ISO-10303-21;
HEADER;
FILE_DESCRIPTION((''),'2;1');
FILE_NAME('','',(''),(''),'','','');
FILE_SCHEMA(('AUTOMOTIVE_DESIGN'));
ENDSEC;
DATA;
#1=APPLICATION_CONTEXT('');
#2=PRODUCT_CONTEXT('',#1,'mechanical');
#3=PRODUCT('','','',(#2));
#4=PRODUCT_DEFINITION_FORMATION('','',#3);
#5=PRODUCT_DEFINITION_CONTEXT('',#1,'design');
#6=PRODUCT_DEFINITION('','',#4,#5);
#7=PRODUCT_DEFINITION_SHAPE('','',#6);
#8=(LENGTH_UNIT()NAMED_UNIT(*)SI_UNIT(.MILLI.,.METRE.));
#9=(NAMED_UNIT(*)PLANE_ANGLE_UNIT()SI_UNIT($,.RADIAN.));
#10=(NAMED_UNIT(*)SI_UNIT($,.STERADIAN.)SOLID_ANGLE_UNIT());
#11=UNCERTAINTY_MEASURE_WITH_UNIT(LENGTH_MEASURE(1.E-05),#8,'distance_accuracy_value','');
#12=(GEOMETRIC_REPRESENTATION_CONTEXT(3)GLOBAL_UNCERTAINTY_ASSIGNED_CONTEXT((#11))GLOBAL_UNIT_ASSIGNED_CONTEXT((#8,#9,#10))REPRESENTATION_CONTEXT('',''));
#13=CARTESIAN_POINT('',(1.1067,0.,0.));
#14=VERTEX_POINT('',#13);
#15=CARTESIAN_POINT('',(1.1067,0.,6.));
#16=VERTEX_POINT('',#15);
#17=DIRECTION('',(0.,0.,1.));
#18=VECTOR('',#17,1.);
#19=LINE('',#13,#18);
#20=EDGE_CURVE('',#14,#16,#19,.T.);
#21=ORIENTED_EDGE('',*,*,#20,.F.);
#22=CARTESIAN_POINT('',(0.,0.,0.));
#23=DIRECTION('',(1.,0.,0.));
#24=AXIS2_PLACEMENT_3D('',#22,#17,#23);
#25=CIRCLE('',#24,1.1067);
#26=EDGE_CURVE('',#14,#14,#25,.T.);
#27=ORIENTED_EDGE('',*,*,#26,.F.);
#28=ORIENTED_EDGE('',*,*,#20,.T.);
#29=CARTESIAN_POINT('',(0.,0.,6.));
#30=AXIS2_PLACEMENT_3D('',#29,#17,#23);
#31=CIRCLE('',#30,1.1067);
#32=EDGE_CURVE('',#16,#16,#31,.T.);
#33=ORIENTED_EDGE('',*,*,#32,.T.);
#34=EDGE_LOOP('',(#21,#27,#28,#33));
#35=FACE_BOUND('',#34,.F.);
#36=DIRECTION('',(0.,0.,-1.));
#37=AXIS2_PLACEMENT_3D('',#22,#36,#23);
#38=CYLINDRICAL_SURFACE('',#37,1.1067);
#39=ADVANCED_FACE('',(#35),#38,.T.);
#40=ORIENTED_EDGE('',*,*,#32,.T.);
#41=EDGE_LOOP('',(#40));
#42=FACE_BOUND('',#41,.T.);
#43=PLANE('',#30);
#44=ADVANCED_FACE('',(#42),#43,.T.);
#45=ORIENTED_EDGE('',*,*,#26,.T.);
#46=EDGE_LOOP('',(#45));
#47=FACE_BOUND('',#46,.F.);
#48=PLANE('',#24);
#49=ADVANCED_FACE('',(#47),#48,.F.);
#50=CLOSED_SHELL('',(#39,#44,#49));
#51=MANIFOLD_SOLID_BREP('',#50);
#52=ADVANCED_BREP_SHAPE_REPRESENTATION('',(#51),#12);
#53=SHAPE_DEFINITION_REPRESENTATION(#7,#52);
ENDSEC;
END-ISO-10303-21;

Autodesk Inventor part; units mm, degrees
ref_plane "YZ Plane" through (0, 0, 0) normal (1, 0, 0) x (0, 1, 0)
ref_plane "XZ Plane" through (0, 0, 0) normal (0, 1, 0) x (-1, 0, 0)
ref_plane "XY Plane" through (0, 0, 0) normal (0, 0, 1) x (1, 0, 0)
sketch "Sketch1" plane through (0, 0, 0) normal (0, 0, 1) x (1, 0, 0)
  circle A0 centre (0, 0) radius 1.1067
  dimension "d0" = 2.2134
extrude "Extrusion1" add sketch "Sketch1" along normal blind 6
properties part number "Gearbox Pin" material "Steel"
